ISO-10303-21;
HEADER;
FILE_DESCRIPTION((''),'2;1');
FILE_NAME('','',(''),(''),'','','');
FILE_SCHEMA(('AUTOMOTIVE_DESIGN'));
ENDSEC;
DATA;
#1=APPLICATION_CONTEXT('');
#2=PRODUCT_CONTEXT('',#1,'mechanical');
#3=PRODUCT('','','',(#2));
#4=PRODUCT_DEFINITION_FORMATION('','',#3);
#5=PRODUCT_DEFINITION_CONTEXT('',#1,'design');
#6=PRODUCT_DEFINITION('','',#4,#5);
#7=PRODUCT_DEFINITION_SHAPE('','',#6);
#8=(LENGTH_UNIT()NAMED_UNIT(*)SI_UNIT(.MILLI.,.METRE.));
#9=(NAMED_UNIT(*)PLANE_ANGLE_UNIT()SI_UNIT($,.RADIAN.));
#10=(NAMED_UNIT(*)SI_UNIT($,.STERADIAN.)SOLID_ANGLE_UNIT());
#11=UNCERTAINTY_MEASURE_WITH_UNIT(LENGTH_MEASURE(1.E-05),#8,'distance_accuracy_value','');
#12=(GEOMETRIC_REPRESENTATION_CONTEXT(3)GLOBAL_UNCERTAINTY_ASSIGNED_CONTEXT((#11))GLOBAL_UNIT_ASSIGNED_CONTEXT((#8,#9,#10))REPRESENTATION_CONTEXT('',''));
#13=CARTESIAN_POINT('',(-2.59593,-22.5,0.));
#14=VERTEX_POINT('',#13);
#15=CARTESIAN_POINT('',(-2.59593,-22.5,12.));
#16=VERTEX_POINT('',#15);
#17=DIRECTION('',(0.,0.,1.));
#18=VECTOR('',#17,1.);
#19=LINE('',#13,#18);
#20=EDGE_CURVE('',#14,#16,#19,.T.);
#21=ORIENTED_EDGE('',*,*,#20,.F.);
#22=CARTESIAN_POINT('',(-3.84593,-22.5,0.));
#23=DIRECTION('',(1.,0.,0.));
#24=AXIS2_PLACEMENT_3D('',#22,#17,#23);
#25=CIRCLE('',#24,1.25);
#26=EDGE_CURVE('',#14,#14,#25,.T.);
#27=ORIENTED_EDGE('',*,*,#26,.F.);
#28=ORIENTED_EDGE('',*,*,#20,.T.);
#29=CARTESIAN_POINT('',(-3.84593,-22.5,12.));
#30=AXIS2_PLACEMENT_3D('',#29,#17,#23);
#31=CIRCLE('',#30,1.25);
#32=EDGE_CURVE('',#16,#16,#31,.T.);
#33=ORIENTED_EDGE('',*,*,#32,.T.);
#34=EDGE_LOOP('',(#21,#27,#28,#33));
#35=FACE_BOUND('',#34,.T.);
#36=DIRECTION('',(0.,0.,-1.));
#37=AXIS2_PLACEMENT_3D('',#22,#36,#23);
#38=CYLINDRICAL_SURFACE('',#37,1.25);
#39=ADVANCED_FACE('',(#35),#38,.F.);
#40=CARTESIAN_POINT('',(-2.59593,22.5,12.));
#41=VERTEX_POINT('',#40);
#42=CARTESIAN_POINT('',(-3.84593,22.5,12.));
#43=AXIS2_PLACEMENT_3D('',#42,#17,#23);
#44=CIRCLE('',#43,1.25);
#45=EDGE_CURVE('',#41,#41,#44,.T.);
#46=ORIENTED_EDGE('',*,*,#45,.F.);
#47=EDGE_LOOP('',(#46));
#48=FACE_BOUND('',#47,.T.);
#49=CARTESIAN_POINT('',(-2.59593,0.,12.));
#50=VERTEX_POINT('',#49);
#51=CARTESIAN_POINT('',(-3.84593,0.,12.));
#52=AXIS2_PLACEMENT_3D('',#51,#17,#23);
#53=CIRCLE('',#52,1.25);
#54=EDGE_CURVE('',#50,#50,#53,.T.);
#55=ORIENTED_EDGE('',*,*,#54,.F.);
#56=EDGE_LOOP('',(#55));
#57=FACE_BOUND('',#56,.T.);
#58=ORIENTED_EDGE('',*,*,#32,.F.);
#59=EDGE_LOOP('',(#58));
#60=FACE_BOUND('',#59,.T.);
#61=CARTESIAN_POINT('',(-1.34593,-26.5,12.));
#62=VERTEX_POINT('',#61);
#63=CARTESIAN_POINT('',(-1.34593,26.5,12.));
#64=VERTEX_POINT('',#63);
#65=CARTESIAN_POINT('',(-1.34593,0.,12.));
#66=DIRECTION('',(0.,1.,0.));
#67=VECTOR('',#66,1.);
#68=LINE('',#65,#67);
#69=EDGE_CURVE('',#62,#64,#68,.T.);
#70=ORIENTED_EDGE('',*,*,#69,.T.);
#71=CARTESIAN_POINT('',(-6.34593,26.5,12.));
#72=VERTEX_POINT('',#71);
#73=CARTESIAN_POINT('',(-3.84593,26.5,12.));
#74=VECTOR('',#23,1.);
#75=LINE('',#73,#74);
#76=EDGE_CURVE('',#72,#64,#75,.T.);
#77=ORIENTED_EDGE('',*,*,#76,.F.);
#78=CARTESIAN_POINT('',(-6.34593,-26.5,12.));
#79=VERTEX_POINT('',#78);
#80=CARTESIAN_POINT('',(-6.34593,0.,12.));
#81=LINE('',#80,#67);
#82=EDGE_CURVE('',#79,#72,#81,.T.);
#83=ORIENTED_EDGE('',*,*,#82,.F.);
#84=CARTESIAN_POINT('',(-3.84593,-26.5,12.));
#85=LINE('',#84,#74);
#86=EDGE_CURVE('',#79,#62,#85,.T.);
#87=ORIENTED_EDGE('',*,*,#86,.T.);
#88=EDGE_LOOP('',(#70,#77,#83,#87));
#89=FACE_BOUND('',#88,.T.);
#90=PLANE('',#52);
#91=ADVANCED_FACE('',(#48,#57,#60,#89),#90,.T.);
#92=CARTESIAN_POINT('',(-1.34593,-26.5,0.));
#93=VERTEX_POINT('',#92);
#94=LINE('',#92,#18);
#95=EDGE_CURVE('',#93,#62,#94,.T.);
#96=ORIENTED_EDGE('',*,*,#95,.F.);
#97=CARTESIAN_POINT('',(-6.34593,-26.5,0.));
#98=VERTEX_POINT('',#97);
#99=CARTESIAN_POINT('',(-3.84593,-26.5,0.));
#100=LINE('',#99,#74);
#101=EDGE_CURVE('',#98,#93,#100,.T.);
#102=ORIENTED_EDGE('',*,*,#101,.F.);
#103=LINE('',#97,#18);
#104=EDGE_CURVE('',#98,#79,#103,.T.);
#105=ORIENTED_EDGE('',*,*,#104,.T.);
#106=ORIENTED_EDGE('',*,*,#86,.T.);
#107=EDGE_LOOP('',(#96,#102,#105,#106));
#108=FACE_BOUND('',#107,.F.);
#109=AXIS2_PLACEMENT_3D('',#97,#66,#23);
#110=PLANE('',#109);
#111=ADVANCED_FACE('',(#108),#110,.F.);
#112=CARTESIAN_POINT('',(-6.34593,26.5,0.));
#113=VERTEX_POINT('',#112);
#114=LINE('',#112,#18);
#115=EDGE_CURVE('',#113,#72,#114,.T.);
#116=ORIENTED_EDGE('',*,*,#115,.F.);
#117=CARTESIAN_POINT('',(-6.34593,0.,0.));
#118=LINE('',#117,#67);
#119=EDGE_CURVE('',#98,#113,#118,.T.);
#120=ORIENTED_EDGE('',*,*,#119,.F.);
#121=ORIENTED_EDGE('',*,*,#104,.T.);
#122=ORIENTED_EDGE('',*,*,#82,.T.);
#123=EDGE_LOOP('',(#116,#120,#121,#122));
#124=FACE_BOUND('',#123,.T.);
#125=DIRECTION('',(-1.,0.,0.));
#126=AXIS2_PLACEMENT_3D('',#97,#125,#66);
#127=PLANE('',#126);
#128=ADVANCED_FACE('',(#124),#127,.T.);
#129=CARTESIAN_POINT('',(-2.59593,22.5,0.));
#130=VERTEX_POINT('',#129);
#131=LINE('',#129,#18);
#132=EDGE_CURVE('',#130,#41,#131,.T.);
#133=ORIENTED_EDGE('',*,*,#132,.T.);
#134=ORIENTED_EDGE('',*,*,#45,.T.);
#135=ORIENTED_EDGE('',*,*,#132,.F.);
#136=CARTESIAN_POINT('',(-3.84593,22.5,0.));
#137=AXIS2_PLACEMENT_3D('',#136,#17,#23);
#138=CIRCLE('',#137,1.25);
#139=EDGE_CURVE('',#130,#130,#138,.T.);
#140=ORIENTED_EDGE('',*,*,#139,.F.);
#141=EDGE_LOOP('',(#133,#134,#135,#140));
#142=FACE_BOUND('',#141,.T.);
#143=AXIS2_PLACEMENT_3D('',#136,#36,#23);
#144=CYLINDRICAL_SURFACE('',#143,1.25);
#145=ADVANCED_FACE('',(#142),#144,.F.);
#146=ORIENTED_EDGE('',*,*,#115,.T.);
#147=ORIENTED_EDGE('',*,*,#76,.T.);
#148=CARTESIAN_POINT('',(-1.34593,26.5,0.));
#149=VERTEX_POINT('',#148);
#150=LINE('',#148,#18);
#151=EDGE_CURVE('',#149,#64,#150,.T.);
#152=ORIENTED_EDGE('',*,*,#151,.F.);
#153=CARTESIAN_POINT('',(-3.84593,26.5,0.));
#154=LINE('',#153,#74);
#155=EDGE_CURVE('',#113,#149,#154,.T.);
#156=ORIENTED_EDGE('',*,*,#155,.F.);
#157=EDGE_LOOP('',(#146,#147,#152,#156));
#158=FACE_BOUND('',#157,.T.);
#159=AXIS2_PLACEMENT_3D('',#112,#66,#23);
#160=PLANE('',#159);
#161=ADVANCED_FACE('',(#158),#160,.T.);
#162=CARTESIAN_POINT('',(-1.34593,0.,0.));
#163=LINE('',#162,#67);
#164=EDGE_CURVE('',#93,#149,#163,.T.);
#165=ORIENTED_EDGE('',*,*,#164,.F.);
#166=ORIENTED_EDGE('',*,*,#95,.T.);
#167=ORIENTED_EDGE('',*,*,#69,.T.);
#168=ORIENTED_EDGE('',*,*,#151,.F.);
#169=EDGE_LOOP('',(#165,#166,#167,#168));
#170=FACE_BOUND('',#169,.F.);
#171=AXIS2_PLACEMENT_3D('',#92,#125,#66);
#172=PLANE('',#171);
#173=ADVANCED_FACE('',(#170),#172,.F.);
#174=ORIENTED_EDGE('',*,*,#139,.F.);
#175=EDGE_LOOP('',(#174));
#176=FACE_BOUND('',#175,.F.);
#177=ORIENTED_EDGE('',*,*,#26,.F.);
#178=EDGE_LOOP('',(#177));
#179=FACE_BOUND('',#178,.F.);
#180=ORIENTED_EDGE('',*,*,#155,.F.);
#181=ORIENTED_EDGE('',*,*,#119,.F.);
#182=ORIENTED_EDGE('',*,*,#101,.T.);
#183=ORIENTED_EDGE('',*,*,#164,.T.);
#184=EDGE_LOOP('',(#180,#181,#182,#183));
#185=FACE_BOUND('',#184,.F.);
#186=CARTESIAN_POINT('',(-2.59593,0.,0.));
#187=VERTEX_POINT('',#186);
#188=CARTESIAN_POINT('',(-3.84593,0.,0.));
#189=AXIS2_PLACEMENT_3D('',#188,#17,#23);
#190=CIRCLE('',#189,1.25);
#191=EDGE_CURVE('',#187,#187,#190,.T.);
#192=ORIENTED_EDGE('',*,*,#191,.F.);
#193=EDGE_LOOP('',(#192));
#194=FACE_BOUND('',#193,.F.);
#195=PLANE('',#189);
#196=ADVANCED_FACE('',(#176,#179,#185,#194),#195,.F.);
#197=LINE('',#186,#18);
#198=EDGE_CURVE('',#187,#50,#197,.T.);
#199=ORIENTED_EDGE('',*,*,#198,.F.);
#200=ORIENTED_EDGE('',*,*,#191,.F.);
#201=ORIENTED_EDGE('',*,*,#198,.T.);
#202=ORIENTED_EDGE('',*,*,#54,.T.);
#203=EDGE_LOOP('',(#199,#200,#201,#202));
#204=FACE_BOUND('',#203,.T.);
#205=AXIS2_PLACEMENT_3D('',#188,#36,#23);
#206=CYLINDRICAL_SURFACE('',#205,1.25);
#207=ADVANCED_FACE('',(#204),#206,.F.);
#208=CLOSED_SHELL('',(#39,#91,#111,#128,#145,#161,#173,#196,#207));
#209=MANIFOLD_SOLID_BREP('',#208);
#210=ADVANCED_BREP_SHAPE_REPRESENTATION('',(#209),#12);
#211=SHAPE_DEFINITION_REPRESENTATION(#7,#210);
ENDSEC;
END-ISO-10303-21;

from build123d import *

# Parameters (mm, degrees)
F0_W     = 5
F0_H     = 53
F0_R     = 1.25
F1_DEPTH = 12


with BuildPart() as f1:
    # F0 (on Top) → F1 (new body)
    with BuildSketch(Plane.XY):
        with Locations((-3.84593, 0)):
            Rectangle(F0_W, F0_H)
        with Locations((-3.84593, -22.5)):
            Circle(F0_R, mode=Mode.SUBTRACT)
        with Locations((-3.84593, 0)):
            Circle(F0_R, mode=Mode.SUBTRACT)
        with Locations((-3.84593, 22.5)):
            Circle(F0_R, mode=Mode.SUBTRACT)
    extrude(amount=F1_DEPTH)


solid = f1.part
